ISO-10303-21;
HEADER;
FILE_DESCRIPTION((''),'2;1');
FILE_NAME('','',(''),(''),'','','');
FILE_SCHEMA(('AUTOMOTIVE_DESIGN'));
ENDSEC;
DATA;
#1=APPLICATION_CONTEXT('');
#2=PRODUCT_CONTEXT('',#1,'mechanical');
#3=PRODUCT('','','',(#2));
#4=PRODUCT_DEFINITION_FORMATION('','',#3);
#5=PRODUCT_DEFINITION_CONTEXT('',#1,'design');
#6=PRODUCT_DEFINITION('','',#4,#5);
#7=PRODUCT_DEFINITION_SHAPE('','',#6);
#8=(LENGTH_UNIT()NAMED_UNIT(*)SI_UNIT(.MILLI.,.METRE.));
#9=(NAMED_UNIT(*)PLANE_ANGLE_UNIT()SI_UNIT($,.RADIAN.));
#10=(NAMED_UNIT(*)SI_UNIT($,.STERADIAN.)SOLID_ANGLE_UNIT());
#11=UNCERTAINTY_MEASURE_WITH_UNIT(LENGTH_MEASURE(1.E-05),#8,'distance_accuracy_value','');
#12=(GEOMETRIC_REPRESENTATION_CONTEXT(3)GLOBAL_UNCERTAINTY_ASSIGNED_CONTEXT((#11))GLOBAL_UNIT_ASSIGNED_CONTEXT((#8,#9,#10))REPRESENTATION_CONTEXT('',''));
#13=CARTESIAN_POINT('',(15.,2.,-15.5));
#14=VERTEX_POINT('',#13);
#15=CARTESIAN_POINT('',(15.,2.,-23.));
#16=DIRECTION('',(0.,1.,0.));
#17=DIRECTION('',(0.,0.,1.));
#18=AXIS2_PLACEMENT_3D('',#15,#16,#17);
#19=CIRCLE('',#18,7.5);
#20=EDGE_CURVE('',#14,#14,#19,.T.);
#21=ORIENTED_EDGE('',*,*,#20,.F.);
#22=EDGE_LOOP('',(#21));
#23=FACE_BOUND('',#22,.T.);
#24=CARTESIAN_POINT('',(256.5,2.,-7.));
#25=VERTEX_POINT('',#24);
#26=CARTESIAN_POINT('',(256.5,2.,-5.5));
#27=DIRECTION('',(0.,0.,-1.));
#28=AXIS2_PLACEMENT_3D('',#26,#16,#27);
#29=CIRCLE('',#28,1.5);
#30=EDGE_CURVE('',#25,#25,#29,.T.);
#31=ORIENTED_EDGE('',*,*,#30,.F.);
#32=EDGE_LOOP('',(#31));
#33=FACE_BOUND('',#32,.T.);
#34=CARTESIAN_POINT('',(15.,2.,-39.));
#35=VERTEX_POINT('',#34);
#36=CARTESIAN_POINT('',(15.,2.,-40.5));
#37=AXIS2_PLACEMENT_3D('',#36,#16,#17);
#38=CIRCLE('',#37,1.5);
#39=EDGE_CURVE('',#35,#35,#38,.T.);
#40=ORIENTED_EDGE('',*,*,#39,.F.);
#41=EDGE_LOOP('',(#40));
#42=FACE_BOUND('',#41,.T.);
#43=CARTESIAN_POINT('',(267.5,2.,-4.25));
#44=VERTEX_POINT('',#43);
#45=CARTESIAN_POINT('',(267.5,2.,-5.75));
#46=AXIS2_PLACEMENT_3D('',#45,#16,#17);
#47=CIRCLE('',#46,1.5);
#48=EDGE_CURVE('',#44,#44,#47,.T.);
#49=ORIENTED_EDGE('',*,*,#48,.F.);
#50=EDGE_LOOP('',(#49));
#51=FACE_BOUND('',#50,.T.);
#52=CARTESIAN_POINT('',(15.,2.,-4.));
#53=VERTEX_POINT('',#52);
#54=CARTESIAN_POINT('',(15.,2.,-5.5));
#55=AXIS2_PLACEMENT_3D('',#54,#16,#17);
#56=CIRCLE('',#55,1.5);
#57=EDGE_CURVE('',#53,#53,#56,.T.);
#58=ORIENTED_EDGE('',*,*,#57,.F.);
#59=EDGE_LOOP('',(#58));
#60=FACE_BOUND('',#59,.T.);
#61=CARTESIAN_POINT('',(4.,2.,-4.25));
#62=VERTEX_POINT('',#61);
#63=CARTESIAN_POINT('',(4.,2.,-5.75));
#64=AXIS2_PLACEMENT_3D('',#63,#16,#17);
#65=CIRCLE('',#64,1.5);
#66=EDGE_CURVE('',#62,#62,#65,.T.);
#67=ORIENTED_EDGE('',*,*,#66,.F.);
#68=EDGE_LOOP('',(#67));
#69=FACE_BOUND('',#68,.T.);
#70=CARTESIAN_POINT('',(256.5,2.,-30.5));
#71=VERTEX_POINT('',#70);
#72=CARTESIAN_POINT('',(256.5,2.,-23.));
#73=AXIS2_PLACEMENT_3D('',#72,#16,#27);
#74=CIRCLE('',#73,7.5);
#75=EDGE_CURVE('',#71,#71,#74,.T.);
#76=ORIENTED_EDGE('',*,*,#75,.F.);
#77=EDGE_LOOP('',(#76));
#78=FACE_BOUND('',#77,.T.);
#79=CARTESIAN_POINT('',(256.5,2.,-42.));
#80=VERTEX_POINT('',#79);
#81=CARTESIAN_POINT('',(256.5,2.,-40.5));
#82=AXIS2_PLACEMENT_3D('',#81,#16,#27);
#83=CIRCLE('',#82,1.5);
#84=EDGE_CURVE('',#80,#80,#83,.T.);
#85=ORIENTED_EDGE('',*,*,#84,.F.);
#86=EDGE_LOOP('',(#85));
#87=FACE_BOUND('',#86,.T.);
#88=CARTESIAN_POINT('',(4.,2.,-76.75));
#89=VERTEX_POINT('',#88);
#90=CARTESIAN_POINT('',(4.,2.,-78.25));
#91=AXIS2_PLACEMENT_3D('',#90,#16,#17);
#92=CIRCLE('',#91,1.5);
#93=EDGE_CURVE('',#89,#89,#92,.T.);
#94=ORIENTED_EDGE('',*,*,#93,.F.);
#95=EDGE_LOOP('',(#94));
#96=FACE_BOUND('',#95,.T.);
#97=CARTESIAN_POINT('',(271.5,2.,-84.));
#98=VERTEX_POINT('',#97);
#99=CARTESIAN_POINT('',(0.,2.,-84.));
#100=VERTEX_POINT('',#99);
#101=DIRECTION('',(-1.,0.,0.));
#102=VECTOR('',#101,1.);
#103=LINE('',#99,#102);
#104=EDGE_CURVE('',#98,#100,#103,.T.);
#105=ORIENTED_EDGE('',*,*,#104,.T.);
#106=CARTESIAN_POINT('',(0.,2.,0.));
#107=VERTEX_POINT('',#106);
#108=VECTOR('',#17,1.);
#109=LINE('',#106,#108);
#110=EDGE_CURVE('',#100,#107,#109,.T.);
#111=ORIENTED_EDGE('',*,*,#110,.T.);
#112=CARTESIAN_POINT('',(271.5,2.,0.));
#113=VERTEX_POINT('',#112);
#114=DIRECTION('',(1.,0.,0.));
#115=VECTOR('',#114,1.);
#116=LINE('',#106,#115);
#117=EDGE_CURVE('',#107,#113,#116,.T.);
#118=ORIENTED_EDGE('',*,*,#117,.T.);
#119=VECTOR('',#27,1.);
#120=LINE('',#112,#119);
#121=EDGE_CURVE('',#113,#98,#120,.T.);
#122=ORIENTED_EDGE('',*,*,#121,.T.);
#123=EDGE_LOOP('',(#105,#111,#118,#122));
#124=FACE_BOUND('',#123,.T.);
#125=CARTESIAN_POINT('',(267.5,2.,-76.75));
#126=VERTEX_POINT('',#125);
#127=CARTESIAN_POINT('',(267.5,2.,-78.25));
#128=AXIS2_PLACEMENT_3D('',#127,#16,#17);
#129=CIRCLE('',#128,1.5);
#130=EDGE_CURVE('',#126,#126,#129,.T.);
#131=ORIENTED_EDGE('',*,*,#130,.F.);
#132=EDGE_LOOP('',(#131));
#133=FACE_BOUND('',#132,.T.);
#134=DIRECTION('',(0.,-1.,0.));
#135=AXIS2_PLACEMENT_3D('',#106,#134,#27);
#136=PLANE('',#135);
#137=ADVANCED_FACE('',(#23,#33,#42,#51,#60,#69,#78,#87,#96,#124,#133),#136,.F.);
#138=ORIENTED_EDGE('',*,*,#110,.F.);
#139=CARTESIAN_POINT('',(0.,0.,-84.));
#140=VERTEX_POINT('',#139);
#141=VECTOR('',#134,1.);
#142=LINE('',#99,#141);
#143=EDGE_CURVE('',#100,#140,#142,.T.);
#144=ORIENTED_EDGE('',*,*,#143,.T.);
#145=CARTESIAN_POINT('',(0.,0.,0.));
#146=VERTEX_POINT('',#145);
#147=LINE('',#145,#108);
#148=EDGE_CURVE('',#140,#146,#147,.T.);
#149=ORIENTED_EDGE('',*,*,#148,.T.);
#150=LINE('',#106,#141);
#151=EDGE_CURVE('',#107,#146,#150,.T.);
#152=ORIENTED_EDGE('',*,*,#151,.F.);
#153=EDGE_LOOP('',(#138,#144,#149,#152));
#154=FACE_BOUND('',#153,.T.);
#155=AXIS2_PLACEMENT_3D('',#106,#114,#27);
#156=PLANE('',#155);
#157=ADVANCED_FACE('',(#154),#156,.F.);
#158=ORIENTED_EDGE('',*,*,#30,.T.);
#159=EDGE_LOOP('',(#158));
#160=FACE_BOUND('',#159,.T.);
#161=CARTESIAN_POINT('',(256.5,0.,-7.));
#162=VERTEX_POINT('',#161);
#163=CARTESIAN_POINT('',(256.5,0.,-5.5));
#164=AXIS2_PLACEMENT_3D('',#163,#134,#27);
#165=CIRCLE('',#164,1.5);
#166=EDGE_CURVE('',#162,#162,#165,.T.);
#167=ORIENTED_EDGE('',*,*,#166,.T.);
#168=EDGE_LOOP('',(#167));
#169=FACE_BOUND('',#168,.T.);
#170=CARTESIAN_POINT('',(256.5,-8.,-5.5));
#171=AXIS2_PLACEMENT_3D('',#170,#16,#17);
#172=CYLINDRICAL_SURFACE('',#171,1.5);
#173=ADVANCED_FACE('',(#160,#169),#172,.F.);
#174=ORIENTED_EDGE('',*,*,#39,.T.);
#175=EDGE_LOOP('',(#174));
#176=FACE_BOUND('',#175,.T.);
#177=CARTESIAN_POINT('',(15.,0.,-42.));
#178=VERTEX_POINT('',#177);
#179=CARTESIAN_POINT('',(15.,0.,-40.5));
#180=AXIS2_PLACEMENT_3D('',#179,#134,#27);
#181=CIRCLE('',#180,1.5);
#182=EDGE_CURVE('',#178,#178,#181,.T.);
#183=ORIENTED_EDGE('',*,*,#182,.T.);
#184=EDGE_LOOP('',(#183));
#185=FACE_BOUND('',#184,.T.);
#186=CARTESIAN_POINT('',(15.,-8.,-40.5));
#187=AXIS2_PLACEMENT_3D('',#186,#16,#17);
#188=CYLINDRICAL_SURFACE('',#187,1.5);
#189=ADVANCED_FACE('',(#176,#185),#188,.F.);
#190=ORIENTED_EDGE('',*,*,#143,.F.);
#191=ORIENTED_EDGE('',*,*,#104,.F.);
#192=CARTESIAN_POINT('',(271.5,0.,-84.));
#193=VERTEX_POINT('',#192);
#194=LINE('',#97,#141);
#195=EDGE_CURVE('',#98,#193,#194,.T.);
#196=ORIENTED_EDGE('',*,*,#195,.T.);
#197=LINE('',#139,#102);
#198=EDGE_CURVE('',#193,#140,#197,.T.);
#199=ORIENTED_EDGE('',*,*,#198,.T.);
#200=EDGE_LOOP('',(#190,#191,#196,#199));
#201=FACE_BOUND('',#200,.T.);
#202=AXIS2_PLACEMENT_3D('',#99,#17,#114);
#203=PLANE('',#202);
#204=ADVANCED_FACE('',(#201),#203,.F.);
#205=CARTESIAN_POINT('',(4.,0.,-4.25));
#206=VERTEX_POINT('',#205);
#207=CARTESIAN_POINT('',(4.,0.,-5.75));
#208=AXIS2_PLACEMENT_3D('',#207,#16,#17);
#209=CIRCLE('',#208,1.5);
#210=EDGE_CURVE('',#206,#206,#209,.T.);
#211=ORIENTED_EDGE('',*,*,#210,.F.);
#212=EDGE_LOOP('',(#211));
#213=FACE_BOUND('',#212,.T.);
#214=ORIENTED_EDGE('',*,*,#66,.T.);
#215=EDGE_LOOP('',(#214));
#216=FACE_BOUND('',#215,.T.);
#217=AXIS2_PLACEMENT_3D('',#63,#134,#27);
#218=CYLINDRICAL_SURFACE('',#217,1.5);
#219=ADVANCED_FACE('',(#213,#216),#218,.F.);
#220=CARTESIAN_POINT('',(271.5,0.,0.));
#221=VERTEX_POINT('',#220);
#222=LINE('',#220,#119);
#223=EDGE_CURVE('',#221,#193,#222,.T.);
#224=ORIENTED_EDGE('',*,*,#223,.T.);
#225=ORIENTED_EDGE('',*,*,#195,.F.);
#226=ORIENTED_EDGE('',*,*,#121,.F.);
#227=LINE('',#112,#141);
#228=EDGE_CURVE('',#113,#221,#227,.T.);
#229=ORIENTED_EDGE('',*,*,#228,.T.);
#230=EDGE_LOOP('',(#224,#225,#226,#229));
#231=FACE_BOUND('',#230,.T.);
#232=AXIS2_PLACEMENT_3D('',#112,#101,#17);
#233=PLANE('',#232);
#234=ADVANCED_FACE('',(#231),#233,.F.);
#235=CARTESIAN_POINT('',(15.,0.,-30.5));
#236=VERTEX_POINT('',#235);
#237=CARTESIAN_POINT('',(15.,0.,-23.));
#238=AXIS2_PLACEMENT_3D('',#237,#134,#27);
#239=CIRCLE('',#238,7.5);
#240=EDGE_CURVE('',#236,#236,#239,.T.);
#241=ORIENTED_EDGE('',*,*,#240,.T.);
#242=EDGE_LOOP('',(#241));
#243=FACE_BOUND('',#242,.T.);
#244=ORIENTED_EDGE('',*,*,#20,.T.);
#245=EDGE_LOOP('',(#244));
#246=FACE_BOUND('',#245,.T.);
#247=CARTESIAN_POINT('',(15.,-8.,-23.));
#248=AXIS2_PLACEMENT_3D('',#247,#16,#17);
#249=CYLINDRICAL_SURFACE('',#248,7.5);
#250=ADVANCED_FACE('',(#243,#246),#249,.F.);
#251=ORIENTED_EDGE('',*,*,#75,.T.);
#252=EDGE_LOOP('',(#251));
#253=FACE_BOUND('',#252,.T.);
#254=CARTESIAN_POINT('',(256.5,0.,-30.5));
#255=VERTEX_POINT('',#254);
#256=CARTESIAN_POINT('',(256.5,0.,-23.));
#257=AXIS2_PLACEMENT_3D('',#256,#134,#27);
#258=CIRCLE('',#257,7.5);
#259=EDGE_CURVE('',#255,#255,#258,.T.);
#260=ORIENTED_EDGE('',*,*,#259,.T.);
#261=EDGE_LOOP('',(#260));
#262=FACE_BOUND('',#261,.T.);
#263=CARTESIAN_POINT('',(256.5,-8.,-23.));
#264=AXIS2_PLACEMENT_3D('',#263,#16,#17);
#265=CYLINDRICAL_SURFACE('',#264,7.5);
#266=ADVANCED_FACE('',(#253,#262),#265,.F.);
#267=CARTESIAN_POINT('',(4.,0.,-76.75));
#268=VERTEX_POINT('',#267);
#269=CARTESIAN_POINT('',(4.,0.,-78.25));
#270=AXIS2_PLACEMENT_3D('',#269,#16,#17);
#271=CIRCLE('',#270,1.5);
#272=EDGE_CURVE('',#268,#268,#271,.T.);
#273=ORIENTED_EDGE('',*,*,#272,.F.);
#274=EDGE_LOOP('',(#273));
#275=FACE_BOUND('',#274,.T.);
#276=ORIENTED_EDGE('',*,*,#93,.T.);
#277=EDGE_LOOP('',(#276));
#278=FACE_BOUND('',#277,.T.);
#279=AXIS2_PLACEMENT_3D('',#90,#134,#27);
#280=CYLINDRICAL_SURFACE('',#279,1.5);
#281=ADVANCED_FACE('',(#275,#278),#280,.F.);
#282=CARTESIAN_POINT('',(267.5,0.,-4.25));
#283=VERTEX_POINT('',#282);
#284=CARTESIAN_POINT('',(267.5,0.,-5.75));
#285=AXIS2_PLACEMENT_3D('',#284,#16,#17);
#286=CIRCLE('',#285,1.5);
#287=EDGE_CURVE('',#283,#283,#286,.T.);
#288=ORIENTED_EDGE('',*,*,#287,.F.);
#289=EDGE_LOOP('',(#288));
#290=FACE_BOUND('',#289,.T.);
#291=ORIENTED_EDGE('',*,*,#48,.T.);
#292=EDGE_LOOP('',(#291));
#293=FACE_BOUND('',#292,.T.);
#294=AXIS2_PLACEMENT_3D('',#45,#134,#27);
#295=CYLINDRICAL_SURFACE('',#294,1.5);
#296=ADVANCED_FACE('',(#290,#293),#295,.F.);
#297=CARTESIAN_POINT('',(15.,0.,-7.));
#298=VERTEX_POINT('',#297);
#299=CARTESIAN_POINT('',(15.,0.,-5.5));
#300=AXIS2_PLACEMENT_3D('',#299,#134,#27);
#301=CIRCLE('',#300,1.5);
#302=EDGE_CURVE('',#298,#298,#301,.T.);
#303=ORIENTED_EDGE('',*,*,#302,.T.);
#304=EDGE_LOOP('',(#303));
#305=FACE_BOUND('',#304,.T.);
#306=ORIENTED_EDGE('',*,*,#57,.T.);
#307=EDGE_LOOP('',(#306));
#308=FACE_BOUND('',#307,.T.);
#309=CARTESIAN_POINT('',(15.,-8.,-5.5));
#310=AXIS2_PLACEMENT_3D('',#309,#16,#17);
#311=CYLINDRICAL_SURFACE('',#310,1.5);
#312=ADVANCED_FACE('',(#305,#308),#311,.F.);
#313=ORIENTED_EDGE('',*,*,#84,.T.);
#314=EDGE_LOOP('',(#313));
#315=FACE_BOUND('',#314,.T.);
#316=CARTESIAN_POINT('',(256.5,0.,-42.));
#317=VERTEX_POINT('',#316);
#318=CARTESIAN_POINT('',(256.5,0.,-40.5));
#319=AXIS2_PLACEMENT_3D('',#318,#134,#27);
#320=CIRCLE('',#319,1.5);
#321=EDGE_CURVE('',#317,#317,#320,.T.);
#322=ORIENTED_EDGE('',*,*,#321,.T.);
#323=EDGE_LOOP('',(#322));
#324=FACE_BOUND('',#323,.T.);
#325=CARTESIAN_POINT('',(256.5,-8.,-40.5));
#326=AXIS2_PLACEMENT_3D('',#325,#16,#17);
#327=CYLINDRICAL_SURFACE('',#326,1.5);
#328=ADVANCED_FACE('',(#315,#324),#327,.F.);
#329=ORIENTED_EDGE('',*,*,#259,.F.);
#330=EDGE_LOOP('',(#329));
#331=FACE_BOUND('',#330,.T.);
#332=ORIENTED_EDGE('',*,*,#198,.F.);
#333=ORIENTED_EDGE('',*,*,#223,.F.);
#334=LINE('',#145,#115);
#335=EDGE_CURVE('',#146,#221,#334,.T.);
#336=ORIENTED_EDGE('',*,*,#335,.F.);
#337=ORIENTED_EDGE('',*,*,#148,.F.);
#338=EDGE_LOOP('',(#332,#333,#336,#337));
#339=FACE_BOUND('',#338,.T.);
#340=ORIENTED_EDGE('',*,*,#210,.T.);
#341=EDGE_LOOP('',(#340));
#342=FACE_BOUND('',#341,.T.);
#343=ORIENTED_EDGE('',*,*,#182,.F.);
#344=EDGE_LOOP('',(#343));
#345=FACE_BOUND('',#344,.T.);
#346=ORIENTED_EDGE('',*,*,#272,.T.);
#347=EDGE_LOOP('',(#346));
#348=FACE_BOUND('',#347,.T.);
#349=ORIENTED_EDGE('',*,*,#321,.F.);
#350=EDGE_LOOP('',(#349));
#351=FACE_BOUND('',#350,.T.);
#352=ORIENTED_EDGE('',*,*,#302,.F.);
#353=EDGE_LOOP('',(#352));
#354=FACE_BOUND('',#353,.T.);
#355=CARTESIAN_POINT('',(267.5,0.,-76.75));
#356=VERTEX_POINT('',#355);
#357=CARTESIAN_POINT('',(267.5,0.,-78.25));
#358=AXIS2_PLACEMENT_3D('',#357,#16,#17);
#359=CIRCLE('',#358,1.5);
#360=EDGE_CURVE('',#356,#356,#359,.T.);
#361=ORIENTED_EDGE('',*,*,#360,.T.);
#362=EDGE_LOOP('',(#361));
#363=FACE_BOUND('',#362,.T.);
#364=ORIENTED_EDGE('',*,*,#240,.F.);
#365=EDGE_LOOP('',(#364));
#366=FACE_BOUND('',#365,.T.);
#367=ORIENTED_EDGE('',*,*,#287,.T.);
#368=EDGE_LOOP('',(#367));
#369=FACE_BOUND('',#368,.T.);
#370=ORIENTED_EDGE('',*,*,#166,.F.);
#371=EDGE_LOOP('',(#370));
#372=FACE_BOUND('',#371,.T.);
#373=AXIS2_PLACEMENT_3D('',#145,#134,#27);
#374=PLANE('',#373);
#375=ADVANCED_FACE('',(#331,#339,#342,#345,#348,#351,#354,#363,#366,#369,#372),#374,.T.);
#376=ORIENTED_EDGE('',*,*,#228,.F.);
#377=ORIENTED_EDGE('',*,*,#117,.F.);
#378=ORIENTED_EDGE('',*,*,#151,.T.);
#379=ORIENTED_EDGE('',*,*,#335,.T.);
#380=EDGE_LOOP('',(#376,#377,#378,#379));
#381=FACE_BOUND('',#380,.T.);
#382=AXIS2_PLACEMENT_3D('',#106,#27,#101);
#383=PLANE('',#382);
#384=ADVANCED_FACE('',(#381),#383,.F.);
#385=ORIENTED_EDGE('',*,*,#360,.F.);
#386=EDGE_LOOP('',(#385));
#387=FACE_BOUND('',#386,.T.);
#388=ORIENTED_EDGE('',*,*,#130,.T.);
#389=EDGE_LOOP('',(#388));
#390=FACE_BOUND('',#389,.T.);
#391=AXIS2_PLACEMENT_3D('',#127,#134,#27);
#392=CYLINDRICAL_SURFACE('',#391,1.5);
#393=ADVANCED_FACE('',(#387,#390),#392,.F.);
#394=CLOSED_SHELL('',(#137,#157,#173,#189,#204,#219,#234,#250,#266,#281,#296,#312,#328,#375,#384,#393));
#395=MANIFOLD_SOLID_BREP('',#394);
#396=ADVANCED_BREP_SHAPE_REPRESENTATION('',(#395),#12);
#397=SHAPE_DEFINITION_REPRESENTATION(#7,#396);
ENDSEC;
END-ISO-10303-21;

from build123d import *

# Parameters (mm, degrees)
SKETCH1_W           = 271.5
SKETCH1_H           = 84
SKETCH1_R           = 1.5
BOSS_EXTRUDE1_DEPTH = 2
SKETCH2_R           = 1.5
SKETCH2_R_2         = 7.5
CUT_EXTRUDE1_DEPTH  = 10


with BuildPart() as part:
    # Sketch1 → Boss-Extrude1 (new body)
    with BuildSketch(Plane(origin=(0, 0, 0), x_dir=(1, 0, 0), z_dir=(0, 1, 0))):
        with Locations((135.75, 42)):
            Rectangle(SKETCH1_W, SKETCH1_H)
        with Locations(Location((4, 5.75, 0), (0, 0, 270))):
            Circle(SKETCH1_R, mode=Mode.SUBTRACT)
        with Locations(Location((4, 78.25, 0), (0, 0, 270))):
            Circle(SKETCH1_R, mode=Mode.SUBTRACT)
        with Locations(Location((267.5, 5.75, 0), (0, 0, 270))):
            Circle(SKETCH1_R, mode=Mode.SUBTRACT)
        with Locations(Location((267.5, 78.25, 0), (0, 0, 270))):
            Circle(SKETCH1_R, mode=Mode.SUBTRACT)
    extrude(amount=BOSS_EXTRUDE1_DEPTH)

    # Sketch2 → Cut-Extrude1 (cut)
    with BuildSketch(Plane(origin=(0, 2, 0), x_dir=(1, 0, 0), z_dir=(0, 1, 0))):
        with Locations(Location((15, 5.5, 0), (0, 0, 270))):
            Circle(SKETCH2_R)
        with Locations(Location((15, 40.5, 0), (0, 0, 270))):
            Circle(SKETCH2_R)
        with Locations(Location((15, 23, 0), (0, 0, 270))):
            Circle(SKETCH2_R_2)
        with Locations(Location((256.5, 23, 0), (0, 0, 90))):
            Circle(SKETCH2_R_2)
        with Locations(Location((256.5, 40.5, 0), (0, 0, 90))):
            Circle(SKETCH2_R)
        with Locations(Location((256.5, 5.5, 0), (0, 0, 90))):
            Circle(SKETCH2_R)
    extrude(amount=-CUT_EXTRUDE1_DEPTH, mode=Mode.SUBTRACT)


solid = part.part
